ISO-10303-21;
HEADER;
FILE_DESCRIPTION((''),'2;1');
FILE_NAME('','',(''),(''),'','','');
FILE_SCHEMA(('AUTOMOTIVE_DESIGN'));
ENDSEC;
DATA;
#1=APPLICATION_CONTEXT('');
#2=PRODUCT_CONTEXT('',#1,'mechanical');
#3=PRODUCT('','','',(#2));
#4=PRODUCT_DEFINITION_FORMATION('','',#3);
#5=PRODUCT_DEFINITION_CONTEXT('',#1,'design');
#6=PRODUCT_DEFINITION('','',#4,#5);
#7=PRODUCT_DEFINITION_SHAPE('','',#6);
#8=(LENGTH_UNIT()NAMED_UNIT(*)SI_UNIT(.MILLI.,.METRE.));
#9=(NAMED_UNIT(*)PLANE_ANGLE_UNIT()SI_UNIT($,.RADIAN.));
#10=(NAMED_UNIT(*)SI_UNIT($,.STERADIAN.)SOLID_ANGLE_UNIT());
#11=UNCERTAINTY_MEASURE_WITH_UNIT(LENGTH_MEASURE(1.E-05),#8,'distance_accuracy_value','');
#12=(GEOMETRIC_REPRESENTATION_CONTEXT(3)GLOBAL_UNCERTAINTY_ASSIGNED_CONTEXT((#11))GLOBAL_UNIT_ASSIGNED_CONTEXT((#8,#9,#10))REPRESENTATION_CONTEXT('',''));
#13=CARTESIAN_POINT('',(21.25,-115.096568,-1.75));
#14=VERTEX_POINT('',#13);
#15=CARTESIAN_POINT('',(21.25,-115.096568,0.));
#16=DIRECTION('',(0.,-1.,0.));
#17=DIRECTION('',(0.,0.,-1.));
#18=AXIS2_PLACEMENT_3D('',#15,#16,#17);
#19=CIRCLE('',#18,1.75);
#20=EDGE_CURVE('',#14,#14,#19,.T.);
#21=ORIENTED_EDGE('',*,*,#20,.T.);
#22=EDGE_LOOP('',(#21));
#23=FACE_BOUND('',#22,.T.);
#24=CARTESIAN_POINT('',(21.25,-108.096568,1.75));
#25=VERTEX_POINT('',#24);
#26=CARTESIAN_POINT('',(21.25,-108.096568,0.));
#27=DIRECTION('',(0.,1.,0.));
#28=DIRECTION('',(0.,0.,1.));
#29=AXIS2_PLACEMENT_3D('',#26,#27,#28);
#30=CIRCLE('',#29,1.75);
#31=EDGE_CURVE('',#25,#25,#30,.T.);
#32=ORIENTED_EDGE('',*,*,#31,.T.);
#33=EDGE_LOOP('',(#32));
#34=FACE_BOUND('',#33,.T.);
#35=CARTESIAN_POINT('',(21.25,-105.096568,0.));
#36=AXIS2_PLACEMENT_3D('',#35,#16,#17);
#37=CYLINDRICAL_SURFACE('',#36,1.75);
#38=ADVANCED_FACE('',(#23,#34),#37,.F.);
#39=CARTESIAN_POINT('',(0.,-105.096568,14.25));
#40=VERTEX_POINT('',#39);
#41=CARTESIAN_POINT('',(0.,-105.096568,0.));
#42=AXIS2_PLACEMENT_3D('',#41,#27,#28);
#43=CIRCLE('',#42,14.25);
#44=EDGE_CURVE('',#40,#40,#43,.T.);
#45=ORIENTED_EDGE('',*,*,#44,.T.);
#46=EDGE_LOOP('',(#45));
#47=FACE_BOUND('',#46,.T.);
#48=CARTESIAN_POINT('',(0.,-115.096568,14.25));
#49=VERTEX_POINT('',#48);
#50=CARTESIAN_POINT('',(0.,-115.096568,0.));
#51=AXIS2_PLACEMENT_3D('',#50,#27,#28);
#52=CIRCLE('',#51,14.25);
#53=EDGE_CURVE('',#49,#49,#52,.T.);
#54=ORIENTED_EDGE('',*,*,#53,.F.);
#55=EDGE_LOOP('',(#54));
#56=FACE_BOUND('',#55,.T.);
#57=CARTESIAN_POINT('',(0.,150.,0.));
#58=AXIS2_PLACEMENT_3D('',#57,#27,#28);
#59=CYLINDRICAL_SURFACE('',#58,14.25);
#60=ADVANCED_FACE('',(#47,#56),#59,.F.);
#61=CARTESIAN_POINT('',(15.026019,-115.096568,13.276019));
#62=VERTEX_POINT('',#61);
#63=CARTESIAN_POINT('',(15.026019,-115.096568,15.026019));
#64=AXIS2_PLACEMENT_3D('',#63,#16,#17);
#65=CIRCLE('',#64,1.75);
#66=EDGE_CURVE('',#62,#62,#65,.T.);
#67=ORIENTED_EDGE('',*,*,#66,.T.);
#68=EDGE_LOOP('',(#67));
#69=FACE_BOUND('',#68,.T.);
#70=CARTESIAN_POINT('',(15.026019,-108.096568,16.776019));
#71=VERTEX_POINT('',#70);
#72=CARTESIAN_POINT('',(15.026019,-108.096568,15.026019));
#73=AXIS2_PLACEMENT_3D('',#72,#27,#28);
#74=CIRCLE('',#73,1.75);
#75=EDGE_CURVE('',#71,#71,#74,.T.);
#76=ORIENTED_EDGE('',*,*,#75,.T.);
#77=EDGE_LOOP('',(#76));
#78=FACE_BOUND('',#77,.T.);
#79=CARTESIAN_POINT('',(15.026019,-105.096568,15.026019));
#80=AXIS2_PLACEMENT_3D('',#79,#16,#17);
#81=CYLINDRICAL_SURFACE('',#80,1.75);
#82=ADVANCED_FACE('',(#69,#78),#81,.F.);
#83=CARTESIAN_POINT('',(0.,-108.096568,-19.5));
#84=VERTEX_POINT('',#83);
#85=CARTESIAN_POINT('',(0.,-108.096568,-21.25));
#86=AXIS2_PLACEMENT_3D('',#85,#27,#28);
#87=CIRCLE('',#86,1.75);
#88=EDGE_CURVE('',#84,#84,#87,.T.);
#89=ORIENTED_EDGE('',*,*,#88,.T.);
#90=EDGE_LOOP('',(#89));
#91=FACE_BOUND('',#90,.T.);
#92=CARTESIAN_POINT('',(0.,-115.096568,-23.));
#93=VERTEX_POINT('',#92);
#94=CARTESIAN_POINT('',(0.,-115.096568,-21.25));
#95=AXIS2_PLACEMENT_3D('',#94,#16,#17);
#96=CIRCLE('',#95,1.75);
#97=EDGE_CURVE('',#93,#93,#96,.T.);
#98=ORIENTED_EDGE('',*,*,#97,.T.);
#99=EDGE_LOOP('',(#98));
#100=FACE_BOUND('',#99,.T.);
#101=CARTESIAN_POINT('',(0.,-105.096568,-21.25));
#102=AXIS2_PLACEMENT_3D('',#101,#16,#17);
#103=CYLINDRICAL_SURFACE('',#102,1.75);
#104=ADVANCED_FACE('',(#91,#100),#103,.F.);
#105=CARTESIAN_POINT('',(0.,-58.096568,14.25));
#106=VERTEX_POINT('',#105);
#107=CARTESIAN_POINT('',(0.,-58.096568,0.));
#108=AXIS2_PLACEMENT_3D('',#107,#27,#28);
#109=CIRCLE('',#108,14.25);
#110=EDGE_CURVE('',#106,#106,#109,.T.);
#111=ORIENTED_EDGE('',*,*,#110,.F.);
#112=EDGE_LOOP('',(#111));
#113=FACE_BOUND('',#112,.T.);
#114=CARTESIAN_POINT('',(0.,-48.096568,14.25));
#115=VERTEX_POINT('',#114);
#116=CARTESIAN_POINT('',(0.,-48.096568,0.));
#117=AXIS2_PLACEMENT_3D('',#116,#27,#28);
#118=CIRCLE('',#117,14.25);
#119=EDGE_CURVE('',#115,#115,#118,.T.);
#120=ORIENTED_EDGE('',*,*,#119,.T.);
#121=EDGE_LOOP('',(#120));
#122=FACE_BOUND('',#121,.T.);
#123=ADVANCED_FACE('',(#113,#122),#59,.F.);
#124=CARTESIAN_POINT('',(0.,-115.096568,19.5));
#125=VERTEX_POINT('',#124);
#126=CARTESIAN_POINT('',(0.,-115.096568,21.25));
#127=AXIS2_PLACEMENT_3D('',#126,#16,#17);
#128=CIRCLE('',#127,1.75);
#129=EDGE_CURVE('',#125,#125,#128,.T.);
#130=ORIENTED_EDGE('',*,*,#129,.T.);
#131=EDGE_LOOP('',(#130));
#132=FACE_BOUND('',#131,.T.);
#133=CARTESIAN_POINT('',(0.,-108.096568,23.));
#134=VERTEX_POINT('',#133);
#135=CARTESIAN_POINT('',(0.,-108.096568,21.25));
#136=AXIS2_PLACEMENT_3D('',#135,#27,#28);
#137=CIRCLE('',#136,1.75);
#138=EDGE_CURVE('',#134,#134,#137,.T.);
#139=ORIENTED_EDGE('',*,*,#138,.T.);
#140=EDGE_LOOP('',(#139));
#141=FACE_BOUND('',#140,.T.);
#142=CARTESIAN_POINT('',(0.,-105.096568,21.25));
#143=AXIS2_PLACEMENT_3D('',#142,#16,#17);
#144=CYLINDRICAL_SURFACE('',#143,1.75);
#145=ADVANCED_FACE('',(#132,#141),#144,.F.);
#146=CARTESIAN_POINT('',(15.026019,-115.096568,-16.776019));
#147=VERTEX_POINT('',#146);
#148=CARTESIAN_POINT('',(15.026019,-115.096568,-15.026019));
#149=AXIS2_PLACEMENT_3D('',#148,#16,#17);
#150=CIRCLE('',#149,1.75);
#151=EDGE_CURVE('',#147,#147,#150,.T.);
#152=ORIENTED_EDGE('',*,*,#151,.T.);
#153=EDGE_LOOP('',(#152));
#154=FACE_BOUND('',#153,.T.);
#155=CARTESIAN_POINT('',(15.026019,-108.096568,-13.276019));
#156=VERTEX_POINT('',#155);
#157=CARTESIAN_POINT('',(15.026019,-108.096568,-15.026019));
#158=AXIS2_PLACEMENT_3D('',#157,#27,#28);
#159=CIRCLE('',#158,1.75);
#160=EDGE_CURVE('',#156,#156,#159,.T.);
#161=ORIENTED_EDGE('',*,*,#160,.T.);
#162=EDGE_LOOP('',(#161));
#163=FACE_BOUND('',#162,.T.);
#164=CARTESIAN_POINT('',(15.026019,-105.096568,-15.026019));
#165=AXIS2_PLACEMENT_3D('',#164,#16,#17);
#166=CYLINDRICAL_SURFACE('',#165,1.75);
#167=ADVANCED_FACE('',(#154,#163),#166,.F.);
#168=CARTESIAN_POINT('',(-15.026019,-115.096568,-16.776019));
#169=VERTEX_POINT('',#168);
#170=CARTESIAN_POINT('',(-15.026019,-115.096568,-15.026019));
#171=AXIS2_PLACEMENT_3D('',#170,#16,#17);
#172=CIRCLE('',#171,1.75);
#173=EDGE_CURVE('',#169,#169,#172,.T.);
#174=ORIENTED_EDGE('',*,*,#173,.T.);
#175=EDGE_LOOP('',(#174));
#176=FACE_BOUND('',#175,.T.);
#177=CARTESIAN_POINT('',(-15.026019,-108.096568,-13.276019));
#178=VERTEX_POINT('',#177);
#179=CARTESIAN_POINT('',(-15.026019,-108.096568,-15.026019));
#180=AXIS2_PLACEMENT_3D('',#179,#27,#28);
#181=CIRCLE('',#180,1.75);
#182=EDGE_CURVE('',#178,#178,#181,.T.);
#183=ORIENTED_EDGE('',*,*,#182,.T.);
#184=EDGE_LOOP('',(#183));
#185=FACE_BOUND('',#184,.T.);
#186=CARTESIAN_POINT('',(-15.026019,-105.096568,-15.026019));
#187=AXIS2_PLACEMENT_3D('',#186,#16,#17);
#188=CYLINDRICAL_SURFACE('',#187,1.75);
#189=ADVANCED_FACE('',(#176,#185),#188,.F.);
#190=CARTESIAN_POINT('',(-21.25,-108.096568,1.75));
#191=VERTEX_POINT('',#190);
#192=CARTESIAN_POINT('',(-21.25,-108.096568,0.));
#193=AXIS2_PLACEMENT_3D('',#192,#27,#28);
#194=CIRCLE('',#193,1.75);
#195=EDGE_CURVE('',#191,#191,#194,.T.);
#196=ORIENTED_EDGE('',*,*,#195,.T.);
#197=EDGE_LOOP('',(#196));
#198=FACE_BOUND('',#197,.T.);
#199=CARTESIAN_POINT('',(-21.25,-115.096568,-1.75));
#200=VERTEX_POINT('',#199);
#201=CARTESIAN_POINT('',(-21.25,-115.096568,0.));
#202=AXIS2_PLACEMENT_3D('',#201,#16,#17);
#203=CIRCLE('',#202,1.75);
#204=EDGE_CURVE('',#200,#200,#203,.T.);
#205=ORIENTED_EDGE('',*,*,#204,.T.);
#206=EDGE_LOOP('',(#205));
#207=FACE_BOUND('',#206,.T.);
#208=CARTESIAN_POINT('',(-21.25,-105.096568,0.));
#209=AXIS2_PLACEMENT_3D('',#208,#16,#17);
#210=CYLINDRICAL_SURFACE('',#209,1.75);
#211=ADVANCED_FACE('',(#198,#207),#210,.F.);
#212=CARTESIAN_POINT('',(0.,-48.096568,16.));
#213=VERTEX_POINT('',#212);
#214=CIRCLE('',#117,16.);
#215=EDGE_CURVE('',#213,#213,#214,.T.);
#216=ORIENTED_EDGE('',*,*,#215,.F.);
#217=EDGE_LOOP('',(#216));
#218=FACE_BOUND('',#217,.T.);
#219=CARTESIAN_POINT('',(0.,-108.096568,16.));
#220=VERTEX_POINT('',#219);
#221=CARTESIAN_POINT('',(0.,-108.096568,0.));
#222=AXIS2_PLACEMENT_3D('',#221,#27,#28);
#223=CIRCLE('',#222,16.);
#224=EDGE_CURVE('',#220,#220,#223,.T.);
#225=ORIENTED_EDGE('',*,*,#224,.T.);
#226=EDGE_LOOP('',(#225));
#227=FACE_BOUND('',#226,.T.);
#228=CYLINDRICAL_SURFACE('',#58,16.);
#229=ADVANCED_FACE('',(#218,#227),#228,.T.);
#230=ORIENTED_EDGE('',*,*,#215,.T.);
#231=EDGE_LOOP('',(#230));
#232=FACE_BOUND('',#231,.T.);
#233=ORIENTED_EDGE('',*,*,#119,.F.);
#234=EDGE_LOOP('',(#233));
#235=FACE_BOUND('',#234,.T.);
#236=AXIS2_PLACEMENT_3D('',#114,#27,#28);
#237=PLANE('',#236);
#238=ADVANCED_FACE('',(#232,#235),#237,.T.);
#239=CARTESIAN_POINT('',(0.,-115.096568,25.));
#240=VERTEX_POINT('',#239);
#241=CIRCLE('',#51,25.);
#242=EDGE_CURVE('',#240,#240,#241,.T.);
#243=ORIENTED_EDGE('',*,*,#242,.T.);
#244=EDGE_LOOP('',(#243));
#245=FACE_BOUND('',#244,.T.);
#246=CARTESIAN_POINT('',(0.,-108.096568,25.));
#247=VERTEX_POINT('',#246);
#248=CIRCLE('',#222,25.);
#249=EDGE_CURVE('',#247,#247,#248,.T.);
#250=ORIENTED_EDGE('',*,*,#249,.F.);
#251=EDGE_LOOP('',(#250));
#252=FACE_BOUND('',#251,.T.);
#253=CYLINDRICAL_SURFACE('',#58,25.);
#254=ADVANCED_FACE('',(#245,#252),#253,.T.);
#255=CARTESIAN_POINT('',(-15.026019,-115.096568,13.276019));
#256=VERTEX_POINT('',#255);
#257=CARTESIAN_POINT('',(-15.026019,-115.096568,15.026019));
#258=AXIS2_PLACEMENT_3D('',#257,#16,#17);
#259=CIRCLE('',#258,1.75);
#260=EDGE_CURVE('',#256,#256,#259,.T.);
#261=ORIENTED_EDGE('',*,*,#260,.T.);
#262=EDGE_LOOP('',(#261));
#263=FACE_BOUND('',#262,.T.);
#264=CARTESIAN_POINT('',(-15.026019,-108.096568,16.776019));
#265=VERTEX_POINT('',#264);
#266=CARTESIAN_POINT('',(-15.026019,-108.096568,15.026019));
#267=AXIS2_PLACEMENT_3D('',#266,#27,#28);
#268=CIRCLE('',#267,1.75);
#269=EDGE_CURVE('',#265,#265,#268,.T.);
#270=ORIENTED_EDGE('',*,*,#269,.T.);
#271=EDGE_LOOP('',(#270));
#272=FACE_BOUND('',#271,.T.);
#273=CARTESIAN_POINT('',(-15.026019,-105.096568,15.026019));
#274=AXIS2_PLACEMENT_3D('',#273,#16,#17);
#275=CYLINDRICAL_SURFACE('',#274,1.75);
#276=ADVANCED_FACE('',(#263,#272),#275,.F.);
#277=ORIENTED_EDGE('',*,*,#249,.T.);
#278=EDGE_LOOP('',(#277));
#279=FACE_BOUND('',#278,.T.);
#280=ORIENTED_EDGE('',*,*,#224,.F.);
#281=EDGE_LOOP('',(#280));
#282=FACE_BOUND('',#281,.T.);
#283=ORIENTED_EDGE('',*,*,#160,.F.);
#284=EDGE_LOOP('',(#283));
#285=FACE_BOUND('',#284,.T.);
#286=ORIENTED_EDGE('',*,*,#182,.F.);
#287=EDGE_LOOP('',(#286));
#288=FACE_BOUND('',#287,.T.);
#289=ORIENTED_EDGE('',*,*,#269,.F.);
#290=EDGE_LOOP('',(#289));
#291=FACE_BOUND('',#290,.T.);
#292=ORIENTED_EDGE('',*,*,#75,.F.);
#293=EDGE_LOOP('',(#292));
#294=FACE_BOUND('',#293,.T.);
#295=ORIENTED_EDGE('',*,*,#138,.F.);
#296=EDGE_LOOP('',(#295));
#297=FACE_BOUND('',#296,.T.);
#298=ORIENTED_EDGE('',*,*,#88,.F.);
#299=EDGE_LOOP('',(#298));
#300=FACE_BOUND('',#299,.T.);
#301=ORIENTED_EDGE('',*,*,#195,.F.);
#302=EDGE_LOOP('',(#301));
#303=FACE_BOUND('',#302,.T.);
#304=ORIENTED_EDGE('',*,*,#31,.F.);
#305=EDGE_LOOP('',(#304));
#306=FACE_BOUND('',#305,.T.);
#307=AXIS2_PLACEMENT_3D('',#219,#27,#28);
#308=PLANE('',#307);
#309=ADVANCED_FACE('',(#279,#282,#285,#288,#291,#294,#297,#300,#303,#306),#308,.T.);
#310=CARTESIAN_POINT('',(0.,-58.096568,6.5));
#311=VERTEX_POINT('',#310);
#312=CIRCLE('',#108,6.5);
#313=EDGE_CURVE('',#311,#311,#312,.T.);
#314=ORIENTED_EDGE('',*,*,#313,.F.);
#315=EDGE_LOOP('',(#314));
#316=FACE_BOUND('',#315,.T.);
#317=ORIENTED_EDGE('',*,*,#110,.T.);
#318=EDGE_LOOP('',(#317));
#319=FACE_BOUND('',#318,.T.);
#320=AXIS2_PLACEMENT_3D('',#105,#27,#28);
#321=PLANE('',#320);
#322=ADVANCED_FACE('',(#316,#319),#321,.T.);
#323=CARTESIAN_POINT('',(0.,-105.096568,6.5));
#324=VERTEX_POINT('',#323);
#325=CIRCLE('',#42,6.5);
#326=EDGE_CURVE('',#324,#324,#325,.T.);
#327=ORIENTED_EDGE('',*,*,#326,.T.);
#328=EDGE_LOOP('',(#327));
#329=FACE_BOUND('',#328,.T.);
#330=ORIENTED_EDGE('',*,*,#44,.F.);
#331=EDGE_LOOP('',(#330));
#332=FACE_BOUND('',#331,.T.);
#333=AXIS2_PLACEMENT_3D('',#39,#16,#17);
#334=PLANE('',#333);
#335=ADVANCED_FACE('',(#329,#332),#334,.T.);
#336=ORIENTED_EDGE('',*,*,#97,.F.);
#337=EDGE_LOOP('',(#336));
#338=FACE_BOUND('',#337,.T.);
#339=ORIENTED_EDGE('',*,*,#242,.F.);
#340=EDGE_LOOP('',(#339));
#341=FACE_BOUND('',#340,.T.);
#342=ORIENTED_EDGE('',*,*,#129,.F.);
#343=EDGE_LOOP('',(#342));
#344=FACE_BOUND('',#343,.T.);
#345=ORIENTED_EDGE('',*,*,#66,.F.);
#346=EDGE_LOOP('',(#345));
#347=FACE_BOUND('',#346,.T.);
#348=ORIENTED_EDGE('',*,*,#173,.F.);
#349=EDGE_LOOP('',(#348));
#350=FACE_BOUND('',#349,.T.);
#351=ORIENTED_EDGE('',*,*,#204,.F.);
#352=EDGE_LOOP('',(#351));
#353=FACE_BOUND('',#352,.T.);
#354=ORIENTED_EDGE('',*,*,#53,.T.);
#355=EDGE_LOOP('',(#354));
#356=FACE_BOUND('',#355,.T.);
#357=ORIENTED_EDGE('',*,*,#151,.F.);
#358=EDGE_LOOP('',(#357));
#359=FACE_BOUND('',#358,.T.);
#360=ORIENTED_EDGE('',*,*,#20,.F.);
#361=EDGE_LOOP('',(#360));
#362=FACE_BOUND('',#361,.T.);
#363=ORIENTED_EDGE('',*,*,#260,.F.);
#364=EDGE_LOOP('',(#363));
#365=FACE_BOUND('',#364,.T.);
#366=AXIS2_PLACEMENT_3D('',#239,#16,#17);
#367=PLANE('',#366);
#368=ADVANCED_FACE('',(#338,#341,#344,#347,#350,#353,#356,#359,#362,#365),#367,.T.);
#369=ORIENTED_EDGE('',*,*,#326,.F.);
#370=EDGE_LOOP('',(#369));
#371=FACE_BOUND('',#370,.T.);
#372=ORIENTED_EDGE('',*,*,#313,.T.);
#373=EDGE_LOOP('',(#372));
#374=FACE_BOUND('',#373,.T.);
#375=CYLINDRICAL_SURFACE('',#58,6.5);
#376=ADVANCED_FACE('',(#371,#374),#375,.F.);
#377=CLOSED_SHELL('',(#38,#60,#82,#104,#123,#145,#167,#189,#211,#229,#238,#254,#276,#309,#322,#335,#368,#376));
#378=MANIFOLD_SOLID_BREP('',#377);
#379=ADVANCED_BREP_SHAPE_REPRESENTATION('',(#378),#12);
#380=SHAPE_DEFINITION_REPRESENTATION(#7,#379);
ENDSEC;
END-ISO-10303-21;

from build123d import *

# Parameters (mm, degrees)
SKETCH3_R          = 1.75
CUT_EXTRUDE1_DEPTH = 10


with BuildPart() as part:
    # Sketch1 → Revolve1 (revolve)
    with BuildSketch(Plane(origin=(0, 0, 0), x_dir=(0, 0, -1), z_dir=(1, 0, 0))):
        Polygon((-16, -48.096567582), (-16, -108.096567582), (-25, -108.096567582), (-25, -115.096567582), (-14.25, -115.096567582), (-14.25, -105.096567582), (-6.5, -105.096567582), (-6.5, -58.096567582), (-14.25, -58.096567582), (-14.25, -48.096567582), align=None)
    revolve(axis=Axis((0, 150, 0), (0, -1, 0)))

    # Sketch3 → Cut-Extrude1 (cut)
    with BuildSketch(Plane.XZ.offset(115.096567582)):
        with Locations(Location((0, -21.25, 0), (0, 0, 270))):
            Circle(SKETCH3_R)
        with Locations(Location((-15.0260191, -15.0260191, 0), (0, 0, 270))):
            Circle(SKETCH3_R)
        with Locations(Location((-21.25, 0, 0), (0, 0, 270))):
            Circle(SKETCH3_R)
        with Locations(Location((-15.0260191, 15.0260191, 0), (0, 0, 270))):
            Circle(SKETCH3_R)
        with Locations(Location((0, 21.25, 0), (0, 0, 270))):
            Circle(SKETCH3_R)
        with Locations(Location((15.0260191, 15.0260191, 0), (0, 0, 270))):
            Circle(SKETCH3_R)
        with Locations(Location((21.25, 0, 0), (0, 0, 270))):
            Circle(SKETCH3_R)
        with Locations(Location((15.0260191, -15.0260191, 0), (0, 0, 270))):
            Circle(SKETCH3_R)
    extrude(amount=-CUT_EXTRUDE1_DEPTH, mode=Mode.SUBTRACT)


solid = part.part
